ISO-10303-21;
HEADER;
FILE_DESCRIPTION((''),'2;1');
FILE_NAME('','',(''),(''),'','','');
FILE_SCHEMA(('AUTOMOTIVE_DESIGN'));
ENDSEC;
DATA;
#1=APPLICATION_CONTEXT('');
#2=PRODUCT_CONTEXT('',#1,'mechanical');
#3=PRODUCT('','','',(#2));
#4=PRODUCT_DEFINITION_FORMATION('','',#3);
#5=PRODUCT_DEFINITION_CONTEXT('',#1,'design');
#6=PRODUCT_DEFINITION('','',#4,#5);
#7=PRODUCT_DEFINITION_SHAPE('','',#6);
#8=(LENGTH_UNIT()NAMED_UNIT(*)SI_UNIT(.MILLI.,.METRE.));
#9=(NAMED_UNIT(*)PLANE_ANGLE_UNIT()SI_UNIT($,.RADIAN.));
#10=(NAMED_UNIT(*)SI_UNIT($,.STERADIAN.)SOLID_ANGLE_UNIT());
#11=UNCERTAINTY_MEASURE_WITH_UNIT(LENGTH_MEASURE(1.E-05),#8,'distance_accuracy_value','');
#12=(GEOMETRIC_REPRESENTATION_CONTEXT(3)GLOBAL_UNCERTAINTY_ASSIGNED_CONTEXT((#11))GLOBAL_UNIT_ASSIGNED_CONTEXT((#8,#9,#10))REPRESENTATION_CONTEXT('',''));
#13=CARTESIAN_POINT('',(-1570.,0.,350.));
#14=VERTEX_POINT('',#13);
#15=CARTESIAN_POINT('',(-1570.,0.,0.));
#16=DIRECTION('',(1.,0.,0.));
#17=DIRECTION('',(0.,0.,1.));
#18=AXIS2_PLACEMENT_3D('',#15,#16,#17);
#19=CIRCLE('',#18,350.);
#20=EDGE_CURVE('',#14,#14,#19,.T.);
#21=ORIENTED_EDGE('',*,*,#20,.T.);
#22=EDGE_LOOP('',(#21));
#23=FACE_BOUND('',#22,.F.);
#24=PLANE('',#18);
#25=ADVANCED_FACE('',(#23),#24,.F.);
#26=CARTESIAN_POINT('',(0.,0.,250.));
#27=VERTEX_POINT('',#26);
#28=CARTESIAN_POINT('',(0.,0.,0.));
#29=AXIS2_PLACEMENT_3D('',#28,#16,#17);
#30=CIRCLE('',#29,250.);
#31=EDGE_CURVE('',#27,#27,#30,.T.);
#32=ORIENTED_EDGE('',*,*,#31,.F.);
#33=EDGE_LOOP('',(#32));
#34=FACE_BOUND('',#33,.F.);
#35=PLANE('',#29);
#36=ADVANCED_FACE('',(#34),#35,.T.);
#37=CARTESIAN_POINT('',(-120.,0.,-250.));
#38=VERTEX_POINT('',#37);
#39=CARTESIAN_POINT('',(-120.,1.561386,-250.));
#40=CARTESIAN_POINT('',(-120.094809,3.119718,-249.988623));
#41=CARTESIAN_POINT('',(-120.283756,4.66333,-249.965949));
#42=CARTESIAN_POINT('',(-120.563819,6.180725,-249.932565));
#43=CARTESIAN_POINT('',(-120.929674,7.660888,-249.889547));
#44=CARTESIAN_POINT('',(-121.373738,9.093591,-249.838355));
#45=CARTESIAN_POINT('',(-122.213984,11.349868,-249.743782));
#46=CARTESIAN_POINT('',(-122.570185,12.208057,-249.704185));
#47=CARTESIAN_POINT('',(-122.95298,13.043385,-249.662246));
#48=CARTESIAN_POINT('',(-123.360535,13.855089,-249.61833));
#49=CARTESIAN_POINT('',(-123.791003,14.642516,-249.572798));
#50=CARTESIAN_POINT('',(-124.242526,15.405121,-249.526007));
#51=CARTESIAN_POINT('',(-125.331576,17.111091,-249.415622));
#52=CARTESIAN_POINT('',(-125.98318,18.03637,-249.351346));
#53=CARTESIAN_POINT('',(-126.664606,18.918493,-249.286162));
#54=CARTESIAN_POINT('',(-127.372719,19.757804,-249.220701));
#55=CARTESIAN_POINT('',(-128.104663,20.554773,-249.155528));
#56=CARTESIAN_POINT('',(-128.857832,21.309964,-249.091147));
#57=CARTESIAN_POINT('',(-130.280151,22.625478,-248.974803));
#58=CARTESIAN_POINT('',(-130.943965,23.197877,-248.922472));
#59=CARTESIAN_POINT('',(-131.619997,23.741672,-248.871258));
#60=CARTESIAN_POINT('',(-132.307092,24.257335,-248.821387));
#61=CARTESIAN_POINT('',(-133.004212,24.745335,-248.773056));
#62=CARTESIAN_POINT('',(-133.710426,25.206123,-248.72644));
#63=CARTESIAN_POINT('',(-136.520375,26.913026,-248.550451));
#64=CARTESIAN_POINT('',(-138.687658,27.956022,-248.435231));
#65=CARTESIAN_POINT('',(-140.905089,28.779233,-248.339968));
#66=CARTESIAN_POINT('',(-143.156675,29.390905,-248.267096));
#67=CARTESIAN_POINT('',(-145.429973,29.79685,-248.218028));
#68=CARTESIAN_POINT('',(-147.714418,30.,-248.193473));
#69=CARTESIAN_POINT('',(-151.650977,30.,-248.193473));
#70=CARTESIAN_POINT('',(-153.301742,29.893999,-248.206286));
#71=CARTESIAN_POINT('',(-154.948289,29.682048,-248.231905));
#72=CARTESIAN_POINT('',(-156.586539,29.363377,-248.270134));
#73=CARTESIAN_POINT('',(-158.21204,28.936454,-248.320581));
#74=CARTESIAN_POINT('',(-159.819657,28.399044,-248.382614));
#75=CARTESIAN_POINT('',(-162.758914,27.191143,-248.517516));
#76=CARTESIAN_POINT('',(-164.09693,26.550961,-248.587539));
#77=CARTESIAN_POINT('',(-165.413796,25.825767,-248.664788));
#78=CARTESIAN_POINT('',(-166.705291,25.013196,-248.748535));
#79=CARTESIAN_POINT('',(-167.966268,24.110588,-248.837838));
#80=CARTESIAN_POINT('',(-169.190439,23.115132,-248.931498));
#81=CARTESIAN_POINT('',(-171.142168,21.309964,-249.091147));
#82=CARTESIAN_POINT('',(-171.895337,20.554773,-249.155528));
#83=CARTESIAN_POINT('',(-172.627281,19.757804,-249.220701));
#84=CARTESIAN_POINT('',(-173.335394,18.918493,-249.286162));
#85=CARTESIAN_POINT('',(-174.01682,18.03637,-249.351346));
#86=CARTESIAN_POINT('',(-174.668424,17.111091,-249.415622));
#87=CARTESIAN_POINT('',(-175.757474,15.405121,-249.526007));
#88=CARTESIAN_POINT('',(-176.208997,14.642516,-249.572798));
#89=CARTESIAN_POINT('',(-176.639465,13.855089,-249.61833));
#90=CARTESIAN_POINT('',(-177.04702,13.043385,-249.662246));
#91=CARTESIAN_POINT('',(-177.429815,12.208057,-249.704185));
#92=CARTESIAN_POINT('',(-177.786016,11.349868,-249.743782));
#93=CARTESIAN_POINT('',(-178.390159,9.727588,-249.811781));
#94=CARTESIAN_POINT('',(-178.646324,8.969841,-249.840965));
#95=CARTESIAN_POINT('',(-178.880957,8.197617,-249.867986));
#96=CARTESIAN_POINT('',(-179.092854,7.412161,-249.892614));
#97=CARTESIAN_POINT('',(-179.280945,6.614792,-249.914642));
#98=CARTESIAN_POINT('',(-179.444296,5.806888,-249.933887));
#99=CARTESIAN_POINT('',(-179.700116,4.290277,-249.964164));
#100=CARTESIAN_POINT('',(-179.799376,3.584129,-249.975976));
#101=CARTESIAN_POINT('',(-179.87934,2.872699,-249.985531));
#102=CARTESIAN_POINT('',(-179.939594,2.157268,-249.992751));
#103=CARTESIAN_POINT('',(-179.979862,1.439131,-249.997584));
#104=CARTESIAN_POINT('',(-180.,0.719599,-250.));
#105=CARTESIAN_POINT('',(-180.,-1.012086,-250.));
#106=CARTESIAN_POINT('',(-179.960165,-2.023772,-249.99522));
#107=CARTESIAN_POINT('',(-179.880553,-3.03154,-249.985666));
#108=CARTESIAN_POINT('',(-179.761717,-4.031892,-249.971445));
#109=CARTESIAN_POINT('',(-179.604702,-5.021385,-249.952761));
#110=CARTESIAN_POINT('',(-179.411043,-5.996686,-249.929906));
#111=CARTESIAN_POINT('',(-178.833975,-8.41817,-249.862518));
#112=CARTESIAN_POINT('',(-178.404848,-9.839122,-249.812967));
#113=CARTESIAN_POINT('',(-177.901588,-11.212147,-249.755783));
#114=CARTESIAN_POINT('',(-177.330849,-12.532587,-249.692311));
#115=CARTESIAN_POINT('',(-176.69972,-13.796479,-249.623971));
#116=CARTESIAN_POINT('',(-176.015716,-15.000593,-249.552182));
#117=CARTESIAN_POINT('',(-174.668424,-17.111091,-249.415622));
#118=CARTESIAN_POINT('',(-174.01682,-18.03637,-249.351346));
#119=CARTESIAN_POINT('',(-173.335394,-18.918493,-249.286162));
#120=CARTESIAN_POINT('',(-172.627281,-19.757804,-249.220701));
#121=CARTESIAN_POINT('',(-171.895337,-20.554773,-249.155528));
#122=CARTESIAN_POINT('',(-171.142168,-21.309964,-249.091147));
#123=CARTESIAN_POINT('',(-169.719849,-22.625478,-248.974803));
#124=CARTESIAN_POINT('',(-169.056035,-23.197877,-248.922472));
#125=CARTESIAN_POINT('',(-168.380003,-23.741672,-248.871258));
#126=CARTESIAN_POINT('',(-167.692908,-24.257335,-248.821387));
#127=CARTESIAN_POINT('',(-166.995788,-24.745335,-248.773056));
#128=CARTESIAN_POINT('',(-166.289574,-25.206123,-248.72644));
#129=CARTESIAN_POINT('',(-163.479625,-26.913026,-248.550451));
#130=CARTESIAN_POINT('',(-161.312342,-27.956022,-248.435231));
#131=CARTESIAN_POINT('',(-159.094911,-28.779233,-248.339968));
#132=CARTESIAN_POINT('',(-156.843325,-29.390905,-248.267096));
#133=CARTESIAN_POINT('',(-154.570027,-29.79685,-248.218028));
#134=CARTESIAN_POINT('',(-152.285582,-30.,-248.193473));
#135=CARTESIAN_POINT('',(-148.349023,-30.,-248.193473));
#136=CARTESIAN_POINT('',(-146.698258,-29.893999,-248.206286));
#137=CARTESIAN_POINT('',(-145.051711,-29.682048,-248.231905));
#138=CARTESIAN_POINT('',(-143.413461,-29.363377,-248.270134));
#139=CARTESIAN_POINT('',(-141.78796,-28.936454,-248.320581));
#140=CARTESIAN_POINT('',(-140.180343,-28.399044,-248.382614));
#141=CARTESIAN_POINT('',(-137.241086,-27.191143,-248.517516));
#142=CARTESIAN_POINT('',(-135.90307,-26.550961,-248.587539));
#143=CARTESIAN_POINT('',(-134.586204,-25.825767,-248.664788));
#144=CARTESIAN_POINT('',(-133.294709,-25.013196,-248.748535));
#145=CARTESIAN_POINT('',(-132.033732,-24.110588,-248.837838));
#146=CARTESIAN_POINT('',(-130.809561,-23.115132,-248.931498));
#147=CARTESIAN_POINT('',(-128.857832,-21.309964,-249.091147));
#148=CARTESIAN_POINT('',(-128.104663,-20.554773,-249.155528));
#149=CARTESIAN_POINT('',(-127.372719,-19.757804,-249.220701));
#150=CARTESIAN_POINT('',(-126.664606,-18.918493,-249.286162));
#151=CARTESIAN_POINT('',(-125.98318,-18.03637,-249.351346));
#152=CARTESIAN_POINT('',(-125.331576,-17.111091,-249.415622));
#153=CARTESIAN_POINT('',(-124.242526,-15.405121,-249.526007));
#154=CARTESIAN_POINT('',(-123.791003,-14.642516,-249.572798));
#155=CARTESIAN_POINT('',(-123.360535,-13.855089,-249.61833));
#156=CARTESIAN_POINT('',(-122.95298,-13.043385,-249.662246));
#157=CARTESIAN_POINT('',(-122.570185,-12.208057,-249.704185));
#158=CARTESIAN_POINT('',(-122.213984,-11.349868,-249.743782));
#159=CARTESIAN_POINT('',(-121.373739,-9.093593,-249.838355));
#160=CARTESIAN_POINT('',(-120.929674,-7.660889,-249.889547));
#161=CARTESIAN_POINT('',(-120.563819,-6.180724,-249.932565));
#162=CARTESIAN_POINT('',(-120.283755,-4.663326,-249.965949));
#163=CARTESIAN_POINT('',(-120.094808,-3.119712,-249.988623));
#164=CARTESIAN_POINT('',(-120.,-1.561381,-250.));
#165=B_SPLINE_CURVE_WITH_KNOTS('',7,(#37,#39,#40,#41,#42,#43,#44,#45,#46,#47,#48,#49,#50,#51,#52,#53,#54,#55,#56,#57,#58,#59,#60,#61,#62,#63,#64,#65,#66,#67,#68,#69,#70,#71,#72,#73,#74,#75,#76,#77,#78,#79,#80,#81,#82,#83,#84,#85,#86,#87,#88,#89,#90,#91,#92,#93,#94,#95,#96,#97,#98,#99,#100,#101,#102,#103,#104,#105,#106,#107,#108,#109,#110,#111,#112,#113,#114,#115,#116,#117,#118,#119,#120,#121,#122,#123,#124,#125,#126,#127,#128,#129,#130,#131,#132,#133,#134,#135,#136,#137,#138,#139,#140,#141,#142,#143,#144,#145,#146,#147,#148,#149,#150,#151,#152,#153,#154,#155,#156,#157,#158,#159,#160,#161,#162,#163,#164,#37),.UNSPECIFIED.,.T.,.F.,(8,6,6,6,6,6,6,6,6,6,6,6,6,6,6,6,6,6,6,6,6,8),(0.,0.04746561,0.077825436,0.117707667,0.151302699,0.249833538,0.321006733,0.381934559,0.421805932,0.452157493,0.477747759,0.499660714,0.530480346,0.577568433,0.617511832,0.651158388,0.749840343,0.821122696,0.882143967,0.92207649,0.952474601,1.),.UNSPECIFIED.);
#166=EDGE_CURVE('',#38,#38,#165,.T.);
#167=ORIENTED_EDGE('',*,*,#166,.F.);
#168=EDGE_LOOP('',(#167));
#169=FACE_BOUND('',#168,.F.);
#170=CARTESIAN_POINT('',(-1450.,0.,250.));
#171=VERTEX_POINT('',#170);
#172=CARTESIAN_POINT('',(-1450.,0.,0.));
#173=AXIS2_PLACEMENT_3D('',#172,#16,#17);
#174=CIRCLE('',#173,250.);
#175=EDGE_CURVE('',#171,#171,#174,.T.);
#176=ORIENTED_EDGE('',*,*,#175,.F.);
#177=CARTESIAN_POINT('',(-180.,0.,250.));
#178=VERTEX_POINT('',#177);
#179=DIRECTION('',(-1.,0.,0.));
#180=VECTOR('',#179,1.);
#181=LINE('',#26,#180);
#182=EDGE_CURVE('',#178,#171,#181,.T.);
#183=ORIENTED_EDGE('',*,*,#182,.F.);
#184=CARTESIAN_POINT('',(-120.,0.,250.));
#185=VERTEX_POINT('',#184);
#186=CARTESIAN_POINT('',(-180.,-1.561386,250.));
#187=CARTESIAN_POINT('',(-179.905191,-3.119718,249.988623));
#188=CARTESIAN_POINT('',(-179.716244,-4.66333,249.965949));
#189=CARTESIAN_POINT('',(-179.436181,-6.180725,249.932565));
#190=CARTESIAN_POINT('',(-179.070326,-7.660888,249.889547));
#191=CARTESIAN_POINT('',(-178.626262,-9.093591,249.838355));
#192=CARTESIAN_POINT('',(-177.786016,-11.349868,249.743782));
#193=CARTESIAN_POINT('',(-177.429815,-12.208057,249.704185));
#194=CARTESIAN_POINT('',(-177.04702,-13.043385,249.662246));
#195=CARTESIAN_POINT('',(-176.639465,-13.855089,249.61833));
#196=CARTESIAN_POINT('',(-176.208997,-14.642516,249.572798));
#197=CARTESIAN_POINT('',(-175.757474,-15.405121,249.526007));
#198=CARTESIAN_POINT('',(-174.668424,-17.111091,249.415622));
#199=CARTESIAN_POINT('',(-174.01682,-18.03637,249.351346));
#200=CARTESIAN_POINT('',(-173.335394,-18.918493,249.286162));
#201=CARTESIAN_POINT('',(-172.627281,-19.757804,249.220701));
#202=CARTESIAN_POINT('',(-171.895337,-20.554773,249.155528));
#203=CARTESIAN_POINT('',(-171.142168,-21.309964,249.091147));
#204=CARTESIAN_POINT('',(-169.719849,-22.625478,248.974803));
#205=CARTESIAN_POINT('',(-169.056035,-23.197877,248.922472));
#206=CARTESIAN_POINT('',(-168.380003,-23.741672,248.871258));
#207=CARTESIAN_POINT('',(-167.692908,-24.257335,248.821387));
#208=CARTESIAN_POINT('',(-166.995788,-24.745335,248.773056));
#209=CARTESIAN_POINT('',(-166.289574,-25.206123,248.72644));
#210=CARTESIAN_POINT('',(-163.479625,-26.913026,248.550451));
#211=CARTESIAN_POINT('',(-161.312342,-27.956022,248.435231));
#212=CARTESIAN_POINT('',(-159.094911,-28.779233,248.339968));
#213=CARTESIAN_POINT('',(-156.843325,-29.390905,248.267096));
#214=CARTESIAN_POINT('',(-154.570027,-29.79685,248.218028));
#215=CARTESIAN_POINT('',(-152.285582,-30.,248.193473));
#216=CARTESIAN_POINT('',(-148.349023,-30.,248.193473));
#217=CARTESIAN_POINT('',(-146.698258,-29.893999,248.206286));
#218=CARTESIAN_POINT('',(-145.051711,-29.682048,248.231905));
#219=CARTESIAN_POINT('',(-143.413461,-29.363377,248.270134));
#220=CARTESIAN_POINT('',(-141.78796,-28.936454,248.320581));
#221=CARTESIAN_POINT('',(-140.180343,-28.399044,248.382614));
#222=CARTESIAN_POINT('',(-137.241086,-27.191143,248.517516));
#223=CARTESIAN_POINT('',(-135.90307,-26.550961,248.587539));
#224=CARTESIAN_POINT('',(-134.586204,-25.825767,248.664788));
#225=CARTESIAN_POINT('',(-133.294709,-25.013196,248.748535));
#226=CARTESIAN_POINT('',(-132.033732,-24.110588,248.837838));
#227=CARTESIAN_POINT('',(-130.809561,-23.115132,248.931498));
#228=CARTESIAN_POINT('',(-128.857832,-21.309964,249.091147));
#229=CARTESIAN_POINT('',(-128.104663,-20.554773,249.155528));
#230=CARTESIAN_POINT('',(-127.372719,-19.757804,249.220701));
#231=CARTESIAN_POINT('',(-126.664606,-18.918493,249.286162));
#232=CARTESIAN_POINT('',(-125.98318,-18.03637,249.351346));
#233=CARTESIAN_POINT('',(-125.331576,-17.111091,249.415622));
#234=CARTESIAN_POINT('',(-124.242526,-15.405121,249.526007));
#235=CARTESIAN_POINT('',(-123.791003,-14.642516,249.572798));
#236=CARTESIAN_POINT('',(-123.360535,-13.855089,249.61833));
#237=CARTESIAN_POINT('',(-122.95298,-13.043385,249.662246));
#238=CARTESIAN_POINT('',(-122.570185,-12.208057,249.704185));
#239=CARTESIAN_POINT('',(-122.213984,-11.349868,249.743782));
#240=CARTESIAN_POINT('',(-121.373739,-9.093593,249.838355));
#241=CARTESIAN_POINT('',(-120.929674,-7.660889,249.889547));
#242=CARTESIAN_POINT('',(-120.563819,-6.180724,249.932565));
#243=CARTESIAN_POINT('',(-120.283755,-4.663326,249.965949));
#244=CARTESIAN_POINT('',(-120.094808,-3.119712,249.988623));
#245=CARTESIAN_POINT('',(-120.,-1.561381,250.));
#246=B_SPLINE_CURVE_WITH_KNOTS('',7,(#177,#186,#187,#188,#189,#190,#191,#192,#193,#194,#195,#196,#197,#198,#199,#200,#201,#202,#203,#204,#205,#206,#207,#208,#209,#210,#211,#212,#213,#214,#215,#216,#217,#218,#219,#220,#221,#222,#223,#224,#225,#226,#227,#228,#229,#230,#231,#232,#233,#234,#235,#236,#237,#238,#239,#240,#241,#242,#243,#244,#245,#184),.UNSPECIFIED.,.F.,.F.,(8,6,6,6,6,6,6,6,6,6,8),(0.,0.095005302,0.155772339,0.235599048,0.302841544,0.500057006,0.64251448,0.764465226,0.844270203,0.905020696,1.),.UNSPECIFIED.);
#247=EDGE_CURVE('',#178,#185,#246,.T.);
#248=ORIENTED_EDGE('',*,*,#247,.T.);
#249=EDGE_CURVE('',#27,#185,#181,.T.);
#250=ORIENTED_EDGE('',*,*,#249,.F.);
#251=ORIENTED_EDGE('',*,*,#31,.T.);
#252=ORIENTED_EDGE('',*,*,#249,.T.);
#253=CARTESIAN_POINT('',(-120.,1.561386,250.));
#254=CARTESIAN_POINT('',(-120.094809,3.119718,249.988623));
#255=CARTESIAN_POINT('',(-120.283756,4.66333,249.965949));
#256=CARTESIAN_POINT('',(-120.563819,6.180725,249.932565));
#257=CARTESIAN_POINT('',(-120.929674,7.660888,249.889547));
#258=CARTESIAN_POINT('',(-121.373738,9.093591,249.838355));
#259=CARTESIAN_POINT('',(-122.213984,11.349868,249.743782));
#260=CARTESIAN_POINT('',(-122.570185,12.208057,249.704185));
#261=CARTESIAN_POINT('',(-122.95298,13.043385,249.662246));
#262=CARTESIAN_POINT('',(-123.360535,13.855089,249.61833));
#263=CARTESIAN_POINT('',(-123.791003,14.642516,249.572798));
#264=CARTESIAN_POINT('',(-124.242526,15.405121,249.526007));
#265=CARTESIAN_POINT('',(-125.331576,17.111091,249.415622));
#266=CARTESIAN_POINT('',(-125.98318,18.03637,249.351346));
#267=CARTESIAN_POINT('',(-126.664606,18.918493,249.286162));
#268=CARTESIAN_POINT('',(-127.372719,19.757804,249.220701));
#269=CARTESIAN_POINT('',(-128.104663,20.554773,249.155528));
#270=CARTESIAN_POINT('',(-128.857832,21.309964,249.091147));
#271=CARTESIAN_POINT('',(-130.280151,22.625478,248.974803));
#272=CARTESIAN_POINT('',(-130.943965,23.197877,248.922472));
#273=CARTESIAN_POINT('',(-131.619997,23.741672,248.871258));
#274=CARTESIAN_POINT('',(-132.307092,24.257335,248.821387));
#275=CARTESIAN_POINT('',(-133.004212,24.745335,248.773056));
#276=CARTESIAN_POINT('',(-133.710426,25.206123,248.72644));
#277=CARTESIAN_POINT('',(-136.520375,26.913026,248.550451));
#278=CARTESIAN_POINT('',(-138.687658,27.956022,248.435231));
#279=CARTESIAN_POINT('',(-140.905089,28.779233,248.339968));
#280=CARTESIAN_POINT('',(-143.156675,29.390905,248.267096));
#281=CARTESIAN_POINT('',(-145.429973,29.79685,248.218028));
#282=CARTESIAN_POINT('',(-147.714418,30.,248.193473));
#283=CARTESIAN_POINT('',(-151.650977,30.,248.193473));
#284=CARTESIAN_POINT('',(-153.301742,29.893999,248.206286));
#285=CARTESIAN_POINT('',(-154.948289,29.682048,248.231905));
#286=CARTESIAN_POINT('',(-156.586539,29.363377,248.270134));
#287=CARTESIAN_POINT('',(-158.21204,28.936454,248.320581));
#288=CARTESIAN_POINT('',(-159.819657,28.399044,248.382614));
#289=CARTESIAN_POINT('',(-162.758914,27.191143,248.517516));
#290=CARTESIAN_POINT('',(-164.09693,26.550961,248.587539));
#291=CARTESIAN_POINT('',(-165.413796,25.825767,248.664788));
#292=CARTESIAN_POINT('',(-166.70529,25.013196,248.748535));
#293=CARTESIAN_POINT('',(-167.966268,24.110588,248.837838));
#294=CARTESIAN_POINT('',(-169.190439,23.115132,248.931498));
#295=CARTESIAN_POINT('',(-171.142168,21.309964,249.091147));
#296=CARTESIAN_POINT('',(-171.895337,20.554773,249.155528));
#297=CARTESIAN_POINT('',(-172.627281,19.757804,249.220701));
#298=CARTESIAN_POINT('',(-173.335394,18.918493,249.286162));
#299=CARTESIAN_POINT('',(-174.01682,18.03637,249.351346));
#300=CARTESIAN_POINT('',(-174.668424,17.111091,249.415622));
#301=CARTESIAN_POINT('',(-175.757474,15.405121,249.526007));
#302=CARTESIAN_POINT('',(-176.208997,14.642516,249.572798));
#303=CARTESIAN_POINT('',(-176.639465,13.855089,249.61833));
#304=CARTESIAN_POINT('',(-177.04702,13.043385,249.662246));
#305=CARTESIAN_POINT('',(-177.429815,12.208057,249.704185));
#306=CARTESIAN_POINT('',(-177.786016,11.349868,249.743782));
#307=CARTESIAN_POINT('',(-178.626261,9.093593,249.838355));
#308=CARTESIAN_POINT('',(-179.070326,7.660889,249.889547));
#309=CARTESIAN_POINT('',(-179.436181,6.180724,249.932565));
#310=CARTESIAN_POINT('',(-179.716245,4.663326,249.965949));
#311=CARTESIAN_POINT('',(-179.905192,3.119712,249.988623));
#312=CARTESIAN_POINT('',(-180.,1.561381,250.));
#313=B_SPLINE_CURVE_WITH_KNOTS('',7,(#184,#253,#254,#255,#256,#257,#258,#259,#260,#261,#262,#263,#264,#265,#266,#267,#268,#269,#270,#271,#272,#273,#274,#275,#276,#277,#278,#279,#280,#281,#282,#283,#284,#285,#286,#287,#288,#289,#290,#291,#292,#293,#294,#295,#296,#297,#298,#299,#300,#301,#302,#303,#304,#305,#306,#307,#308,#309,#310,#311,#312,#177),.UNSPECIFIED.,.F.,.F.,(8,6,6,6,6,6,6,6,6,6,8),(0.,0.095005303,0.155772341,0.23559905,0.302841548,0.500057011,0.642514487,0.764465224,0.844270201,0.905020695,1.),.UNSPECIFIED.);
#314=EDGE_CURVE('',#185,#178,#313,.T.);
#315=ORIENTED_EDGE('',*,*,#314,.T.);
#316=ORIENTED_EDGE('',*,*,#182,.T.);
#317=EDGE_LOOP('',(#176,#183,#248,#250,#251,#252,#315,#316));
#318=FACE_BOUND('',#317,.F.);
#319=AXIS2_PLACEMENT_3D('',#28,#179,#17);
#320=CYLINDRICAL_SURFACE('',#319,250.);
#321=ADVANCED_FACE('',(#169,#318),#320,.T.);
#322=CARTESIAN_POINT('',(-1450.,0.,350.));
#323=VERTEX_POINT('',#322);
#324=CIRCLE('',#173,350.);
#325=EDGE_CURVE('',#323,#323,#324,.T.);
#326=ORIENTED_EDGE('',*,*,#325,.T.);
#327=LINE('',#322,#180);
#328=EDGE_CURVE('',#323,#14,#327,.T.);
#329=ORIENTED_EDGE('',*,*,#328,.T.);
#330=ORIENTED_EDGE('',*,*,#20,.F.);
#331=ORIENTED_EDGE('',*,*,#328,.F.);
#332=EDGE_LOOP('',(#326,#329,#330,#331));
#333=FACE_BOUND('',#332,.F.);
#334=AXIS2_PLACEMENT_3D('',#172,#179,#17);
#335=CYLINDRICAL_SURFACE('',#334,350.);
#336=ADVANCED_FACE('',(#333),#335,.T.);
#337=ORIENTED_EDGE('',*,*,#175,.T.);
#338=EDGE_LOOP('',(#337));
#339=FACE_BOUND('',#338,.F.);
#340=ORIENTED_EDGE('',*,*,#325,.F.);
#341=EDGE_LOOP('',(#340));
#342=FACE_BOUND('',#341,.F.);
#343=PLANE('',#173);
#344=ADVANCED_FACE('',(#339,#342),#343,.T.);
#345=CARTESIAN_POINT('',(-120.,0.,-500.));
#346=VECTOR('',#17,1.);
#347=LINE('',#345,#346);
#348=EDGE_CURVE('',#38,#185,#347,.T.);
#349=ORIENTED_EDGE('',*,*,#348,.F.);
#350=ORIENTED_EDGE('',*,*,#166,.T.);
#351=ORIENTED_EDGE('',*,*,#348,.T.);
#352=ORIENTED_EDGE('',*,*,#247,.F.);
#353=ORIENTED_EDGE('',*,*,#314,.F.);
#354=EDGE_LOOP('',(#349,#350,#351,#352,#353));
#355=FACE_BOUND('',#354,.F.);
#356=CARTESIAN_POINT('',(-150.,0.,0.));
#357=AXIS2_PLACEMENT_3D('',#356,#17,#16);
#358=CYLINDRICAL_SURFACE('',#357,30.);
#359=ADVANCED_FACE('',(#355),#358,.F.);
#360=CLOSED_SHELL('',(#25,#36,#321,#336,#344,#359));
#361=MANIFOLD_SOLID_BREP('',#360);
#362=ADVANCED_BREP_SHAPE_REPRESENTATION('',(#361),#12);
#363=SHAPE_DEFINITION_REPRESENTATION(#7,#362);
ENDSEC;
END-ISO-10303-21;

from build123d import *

# Parameters (mm, degrees)
F2_R     = 30
F3_DEPTH = 500


with BuildPart() as f1:
    # F0 (on Front) → F1 (revolve)
    with BuildSketch(Plane.XZ):
        Polygon((-1570, 0), (0, 0), (0, 250), (-1450, 250), (-1450, 350), (-1570, 350), align=None)
    revolve(axis=Axis((-785, 0, 0), (1, 0, 0)))

    # F2 (on Top) → F3 (cut, symmetric)
    with BuildSketch(Plane.XY):
        with Locations((-150, 0)):
            Circle(F2_R)
    extrude(amount=F3_DEPTH, both=True, mode=Mode.SUBTRACT)


solid = f1.part
